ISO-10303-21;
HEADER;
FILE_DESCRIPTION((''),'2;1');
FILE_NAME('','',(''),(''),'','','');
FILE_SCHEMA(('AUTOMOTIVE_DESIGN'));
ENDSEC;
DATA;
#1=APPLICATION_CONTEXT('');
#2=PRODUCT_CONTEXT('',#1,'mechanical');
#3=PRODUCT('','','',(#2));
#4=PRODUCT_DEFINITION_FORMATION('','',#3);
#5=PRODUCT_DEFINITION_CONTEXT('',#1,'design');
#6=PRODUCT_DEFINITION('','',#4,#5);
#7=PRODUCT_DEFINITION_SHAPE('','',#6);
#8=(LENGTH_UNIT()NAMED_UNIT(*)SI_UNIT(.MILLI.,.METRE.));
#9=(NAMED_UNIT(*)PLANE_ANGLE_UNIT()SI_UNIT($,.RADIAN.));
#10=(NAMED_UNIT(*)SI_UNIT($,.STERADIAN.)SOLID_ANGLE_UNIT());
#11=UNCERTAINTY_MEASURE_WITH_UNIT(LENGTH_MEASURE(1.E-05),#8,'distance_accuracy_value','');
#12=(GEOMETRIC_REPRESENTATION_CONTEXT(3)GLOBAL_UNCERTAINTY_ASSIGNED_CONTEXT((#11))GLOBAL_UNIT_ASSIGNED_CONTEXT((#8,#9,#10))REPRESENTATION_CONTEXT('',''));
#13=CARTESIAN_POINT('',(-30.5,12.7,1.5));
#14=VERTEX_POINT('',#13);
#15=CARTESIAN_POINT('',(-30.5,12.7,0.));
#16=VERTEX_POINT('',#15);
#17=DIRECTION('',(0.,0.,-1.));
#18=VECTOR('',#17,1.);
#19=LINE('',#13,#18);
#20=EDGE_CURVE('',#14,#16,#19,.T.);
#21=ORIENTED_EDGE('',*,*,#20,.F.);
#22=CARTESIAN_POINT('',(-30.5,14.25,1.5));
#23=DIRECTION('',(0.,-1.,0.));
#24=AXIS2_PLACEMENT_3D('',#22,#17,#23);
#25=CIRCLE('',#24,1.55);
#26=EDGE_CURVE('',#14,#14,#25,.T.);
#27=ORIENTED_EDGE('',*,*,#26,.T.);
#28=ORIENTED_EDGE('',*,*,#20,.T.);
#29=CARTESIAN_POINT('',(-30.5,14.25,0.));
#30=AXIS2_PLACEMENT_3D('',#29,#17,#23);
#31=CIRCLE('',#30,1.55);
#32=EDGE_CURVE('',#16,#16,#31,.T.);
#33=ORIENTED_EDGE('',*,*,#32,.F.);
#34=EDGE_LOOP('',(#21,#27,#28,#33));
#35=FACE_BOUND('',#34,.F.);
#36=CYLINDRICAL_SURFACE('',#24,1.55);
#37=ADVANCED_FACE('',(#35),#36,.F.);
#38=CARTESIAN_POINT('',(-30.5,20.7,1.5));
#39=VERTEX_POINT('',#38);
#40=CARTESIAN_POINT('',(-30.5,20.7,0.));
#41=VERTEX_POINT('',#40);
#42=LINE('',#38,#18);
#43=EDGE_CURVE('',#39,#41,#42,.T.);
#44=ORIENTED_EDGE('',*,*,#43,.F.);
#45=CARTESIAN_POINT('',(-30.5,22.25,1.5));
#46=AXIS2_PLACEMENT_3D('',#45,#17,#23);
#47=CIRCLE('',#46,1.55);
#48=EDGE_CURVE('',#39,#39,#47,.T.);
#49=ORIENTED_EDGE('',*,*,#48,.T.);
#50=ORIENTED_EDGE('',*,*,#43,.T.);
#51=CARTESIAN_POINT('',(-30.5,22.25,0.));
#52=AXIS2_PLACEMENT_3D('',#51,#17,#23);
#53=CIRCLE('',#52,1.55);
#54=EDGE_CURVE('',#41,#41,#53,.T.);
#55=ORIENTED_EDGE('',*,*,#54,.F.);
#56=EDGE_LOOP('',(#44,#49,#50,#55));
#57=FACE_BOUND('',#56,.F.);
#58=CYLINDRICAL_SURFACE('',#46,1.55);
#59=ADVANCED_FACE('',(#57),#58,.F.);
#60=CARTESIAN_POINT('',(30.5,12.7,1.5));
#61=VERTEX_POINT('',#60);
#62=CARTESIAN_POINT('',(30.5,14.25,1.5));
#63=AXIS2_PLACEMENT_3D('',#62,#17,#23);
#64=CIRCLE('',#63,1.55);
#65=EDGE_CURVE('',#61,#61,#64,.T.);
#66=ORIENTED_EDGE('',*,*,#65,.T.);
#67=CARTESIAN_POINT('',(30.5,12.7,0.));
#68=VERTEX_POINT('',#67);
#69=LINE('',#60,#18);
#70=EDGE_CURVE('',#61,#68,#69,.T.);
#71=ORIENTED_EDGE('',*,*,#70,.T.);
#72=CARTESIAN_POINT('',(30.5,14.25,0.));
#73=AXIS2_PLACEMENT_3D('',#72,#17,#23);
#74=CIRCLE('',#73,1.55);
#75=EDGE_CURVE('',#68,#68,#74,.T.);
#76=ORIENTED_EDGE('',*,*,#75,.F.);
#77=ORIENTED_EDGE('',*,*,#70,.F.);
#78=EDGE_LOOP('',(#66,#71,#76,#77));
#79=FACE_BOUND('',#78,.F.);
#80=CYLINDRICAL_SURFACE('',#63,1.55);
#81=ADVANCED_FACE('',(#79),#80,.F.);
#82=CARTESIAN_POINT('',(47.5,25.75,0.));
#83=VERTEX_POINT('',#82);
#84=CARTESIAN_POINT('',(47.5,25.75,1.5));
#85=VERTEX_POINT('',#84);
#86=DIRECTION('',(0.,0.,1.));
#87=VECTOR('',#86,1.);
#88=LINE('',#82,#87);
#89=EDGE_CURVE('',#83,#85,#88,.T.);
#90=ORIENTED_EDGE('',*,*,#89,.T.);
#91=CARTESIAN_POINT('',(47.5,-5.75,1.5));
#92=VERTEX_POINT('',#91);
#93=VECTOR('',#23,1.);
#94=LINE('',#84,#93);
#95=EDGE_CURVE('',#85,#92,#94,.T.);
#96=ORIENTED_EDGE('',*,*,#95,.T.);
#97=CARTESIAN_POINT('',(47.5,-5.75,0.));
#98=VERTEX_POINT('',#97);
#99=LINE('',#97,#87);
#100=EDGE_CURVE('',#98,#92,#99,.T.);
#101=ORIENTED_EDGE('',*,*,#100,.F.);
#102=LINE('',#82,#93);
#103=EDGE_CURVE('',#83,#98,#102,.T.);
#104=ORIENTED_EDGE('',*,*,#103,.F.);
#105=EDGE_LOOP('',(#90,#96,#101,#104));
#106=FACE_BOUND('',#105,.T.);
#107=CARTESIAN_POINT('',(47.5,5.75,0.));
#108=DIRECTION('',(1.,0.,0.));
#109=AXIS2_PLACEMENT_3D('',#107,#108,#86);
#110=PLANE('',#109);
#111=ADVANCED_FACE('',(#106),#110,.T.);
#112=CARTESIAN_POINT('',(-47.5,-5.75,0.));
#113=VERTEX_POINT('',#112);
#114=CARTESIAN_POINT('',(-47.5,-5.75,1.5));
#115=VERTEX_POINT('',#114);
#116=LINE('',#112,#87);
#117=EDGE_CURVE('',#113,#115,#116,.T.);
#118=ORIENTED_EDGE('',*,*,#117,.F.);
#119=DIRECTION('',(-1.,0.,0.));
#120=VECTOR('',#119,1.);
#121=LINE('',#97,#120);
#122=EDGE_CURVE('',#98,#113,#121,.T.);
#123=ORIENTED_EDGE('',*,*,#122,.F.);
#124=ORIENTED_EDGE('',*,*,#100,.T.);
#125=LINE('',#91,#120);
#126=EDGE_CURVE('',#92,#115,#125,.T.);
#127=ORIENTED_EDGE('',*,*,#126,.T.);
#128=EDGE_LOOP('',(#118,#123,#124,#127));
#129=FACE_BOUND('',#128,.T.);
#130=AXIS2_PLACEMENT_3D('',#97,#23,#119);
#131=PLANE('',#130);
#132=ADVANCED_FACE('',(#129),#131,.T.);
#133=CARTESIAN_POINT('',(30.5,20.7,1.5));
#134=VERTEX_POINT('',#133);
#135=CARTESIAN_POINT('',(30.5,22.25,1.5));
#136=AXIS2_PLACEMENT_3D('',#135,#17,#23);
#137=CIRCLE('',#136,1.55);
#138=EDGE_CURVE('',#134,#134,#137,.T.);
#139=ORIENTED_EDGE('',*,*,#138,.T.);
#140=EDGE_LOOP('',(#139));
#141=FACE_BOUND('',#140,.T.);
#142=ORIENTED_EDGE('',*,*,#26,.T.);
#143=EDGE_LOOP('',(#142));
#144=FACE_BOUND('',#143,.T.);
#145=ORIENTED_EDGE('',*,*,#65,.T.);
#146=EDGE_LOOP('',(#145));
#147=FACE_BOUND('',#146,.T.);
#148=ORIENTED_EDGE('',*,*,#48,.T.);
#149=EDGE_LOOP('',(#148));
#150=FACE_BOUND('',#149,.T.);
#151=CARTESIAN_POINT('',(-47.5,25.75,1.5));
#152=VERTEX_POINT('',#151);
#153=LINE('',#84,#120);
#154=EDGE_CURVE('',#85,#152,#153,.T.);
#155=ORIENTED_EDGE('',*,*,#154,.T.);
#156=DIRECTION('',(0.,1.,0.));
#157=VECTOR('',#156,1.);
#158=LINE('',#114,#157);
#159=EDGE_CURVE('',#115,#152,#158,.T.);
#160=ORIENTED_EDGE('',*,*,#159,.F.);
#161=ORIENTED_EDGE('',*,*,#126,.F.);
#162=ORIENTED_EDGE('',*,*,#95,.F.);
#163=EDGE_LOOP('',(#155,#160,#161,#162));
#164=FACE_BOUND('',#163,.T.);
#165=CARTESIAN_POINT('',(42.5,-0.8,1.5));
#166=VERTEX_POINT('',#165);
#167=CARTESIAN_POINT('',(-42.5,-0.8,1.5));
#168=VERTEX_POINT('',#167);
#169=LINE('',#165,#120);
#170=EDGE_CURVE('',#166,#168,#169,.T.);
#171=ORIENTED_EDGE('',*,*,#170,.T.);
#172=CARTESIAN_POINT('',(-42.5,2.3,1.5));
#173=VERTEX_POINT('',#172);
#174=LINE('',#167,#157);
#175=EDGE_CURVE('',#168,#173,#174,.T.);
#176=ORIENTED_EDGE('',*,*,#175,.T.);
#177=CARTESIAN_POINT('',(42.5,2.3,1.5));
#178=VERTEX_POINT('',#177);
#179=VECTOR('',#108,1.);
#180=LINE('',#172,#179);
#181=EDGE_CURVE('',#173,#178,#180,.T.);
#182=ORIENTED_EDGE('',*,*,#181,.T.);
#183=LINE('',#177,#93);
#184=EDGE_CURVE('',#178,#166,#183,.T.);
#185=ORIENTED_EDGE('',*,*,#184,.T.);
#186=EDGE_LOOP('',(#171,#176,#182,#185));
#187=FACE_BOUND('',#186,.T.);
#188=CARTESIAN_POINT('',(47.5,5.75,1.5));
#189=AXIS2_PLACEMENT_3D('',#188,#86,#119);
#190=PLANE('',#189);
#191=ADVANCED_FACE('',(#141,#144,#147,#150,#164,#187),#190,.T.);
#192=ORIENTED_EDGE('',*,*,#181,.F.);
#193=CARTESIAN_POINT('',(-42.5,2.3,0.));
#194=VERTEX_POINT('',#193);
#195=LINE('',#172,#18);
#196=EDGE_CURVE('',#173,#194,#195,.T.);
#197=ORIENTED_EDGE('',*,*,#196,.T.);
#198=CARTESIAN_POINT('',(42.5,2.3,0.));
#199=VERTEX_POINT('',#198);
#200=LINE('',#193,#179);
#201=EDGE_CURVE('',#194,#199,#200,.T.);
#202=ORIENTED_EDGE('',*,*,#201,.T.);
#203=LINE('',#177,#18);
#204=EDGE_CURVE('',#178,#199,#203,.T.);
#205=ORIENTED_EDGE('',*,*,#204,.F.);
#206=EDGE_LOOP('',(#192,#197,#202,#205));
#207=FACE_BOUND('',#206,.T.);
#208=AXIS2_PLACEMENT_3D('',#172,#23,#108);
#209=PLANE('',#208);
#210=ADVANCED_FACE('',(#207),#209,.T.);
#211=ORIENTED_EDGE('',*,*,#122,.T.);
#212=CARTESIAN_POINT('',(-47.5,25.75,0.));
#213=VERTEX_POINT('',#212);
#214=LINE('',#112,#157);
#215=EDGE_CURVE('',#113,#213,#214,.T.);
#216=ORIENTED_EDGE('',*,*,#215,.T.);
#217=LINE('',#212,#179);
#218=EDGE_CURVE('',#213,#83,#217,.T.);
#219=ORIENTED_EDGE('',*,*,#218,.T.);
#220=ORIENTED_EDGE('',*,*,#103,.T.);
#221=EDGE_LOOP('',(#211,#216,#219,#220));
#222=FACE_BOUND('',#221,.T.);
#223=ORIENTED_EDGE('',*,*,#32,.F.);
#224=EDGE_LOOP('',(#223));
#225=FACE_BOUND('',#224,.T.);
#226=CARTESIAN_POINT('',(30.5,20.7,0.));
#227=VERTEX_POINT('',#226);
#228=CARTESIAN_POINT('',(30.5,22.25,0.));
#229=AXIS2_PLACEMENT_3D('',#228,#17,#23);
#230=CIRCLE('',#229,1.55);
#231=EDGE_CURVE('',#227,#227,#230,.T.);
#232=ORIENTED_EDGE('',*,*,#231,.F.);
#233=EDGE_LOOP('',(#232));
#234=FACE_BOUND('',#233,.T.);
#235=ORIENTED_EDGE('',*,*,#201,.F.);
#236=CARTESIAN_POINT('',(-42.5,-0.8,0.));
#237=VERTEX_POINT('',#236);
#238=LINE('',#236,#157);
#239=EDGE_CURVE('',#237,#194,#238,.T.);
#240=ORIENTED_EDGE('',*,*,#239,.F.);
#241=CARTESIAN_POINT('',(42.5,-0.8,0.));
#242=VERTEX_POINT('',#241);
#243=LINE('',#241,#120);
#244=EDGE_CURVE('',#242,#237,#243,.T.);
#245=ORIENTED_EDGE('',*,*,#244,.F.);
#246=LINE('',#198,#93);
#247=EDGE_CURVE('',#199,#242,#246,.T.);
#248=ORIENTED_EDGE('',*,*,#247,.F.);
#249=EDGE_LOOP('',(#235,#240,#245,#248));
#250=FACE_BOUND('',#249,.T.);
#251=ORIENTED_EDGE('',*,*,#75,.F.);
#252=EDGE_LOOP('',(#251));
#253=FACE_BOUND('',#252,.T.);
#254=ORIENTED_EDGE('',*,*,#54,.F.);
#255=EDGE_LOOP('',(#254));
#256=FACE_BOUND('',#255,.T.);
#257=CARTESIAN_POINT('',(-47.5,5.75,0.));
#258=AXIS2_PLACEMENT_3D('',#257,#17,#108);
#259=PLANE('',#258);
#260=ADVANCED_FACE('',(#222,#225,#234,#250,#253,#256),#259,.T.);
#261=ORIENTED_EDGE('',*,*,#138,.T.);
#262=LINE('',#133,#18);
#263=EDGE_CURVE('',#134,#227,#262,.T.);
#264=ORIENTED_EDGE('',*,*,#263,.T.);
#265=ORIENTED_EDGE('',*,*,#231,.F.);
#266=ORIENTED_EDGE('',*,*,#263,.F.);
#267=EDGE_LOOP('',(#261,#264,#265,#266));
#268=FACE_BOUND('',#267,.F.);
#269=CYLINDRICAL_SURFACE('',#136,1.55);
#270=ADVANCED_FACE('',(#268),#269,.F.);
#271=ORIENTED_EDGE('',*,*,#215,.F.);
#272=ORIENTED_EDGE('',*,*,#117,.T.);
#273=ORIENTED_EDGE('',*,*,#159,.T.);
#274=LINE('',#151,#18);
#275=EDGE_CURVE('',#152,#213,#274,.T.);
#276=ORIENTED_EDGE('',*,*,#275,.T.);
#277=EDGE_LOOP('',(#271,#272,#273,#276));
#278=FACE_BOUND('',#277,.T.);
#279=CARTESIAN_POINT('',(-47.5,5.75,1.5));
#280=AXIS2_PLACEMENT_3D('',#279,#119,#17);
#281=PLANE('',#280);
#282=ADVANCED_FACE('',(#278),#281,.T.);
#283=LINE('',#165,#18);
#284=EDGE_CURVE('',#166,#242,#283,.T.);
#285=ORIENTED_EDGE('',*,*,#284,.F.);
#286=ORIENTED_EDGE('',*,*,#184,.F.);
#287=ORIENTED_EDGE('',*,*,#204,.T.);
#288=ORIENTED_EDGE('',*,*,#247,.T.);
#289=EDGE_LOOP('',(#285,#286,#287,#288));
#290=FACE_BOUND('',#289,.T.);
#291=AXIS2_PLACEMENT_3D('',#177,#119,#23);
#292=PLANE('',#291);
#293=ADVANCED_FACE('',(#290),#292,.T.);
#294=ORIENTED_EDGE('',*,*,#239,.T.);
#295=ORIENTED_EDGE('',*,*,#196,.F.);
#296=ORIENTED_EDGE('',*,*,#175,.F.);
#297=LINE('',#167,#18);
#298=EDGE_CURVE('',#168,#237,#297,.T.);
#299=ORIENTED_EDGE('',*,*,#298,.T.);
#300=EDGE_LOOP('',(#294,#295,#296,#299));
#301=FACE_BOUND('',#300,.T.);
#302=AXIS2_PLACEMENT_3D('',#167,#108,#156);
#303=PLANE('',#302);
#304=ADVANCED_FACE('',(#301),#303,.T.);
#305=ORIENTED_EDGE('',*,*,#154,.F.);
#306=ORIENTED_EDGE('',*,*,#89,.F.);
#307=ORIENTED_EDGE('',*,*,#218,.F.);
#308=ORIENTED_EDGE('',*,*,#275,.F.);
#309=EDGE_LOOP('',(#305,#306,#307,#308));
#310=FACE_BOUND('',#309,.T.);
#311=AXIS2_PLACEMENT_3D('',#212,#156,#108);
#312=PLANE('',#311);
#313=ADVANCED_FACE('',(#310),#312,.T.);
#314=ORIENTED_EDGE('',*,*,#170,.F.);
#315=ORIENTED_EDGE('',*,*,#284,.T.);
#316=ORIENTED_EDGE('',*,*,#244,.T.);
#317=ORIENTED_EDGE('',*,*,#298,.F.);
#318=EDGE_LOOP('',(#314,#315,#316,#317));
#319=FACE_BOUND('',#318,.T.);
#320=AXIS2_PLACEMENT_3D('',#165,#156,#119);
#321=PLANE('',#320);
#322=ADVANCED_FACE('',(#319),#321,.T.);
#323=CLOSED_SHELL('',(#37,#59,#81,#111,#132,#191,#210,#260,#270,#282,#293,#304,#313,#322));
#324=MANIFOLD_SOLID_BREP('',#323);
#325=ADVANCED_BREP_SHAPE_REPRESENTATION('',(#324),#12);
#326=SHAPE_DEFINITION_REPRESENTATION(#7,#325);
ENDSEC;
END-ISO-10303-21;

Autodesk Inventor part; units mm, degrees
ref_plane "YZ Plane" through (0, 0, 0) normal (1, 0, 0) x (0, 1, 0)
ref_plane "XZ Plane" through (0, 0, 0) normal (0, 1, 0) x (-1, 0, 0)
ref_plane "XY Plane" through (0, 0, 0) normal (0, 0, 1) x (1, 0, 0)
sketch "スケッチ1" plane through (0, 0, 0) normal (0, 0, 1) x (1, 0, 0)
  line L0 (-47.5, 5.75) -> (47.5, 5.75)
  line L1 (47.5, 5.75) -> (47.5, -5.75)
  line L2 (47.5, -5.75) -> (-47.5, -5.75)
  line L3 (-47.5, -5.75) -> (-47.5, 5.75)
  line L4 (-47.5, 5.75) -> (47.5, -5.75) construction
  line L5 (47.5, 5.75) -> (-47.5, -5.75) construction
  point P0 (0, 0)
  dimension "d0" = 11.5
  dimension "d1" = 95
extrude "押し出し1" add sketch "スケッチ1" along normal blind 1.5
sketch "スケッチ2" plane through (0, 0, 1.5) normal (0, 0, 1) x (1, 0, 0)
  line L0 (-42.5, 2.3) -> (42.5, 2.3)
  line L1 (42.5, 2.3) -> (42.5, -0.8)
  line L2 (42.5, -0.8) -> (-42.5, -0.8)
  line L3 (-42.5, -0.8) -> (-42.5, 2.3)
  line L4 (-47.5, -5.75) -> (47.5, -5.75) projected
  line L5 (47.5, -5.75) -> (47.5, 5.75) projected
  point P0 (0, 0)
  dimension "d8" = 3.1
  dimension "d9" = 85
  dimension "d10" = 4.95
  dimension "d11" = 5
extrude "押し出し2" cut sketch "スケッチ2" against normal blind 1.5
sketch "スケッチ5" plane through (-47.5, 5.75, 0) normal (0, 1, 0) x (1, 0, 0)
  line L0 (0, 0) -> (95, 0)
  line L1 (95, 0) -> (95, -1.5)
  line L2 (95, -1.5) -> (0, -1.5)
  line L3 (0, -1.5) -> (0, 0)
  point P0 (47.5, 0)
extrude "押し出し4" add sketch "スケッチ5" along normal blind 20
sketch "スケッチ6" plane through (0, 0, 1.5) normal (0, 0, 1) x (1, 0, 0)
  line L0 (-47.5, 25.75) -> (47.5, 25.75) projected
  line L1 (-47.5, -5.75) -> (-47.5, 25.75) projected
  point P0 (0, 0)
  point P1 (30.5, 22.25)
  point P2 (-30.5, 22.25)
  point P3 (-30.5, 14.25)
  point P4 (30.5, 14.25)
  dimension "d32" = 3.5
  dimension "d33" = 8
  dimension "d34" = 61
  dimension "d35" = 17
hole "穴2" at (30.5, 22.25, 1.5) at (-30.5, 22.25, 1.5) at (-30.5, 14.25, 1.5) at (30.5, 14.25, 1.5) direction (0, 0, -1) diameter 3.1 end through all
equation "\"d41\" = Thickness"
equation "\"BendRadius\" = Thickness"
equation "\"BendReliefWidth\" = Thickness"
equation "\"BendReliefDepth\" = 0.5 * Thickness"
equation "\"CornerReliefSize\" = 4 * Thickness"
equation "\"MinimumRemnant\" = 2 * Thickness"
equation "\"TransitionRadius\" = BendRadius"
equation "\"JacobiRadiusSize\" = BendRadius"
equation "\"GapSize\" = Thickness"
equation "\"Thickness\" = 0.5"
properties part number "Fork 2 ver2c" material "アルミニウム 5052 H32"
